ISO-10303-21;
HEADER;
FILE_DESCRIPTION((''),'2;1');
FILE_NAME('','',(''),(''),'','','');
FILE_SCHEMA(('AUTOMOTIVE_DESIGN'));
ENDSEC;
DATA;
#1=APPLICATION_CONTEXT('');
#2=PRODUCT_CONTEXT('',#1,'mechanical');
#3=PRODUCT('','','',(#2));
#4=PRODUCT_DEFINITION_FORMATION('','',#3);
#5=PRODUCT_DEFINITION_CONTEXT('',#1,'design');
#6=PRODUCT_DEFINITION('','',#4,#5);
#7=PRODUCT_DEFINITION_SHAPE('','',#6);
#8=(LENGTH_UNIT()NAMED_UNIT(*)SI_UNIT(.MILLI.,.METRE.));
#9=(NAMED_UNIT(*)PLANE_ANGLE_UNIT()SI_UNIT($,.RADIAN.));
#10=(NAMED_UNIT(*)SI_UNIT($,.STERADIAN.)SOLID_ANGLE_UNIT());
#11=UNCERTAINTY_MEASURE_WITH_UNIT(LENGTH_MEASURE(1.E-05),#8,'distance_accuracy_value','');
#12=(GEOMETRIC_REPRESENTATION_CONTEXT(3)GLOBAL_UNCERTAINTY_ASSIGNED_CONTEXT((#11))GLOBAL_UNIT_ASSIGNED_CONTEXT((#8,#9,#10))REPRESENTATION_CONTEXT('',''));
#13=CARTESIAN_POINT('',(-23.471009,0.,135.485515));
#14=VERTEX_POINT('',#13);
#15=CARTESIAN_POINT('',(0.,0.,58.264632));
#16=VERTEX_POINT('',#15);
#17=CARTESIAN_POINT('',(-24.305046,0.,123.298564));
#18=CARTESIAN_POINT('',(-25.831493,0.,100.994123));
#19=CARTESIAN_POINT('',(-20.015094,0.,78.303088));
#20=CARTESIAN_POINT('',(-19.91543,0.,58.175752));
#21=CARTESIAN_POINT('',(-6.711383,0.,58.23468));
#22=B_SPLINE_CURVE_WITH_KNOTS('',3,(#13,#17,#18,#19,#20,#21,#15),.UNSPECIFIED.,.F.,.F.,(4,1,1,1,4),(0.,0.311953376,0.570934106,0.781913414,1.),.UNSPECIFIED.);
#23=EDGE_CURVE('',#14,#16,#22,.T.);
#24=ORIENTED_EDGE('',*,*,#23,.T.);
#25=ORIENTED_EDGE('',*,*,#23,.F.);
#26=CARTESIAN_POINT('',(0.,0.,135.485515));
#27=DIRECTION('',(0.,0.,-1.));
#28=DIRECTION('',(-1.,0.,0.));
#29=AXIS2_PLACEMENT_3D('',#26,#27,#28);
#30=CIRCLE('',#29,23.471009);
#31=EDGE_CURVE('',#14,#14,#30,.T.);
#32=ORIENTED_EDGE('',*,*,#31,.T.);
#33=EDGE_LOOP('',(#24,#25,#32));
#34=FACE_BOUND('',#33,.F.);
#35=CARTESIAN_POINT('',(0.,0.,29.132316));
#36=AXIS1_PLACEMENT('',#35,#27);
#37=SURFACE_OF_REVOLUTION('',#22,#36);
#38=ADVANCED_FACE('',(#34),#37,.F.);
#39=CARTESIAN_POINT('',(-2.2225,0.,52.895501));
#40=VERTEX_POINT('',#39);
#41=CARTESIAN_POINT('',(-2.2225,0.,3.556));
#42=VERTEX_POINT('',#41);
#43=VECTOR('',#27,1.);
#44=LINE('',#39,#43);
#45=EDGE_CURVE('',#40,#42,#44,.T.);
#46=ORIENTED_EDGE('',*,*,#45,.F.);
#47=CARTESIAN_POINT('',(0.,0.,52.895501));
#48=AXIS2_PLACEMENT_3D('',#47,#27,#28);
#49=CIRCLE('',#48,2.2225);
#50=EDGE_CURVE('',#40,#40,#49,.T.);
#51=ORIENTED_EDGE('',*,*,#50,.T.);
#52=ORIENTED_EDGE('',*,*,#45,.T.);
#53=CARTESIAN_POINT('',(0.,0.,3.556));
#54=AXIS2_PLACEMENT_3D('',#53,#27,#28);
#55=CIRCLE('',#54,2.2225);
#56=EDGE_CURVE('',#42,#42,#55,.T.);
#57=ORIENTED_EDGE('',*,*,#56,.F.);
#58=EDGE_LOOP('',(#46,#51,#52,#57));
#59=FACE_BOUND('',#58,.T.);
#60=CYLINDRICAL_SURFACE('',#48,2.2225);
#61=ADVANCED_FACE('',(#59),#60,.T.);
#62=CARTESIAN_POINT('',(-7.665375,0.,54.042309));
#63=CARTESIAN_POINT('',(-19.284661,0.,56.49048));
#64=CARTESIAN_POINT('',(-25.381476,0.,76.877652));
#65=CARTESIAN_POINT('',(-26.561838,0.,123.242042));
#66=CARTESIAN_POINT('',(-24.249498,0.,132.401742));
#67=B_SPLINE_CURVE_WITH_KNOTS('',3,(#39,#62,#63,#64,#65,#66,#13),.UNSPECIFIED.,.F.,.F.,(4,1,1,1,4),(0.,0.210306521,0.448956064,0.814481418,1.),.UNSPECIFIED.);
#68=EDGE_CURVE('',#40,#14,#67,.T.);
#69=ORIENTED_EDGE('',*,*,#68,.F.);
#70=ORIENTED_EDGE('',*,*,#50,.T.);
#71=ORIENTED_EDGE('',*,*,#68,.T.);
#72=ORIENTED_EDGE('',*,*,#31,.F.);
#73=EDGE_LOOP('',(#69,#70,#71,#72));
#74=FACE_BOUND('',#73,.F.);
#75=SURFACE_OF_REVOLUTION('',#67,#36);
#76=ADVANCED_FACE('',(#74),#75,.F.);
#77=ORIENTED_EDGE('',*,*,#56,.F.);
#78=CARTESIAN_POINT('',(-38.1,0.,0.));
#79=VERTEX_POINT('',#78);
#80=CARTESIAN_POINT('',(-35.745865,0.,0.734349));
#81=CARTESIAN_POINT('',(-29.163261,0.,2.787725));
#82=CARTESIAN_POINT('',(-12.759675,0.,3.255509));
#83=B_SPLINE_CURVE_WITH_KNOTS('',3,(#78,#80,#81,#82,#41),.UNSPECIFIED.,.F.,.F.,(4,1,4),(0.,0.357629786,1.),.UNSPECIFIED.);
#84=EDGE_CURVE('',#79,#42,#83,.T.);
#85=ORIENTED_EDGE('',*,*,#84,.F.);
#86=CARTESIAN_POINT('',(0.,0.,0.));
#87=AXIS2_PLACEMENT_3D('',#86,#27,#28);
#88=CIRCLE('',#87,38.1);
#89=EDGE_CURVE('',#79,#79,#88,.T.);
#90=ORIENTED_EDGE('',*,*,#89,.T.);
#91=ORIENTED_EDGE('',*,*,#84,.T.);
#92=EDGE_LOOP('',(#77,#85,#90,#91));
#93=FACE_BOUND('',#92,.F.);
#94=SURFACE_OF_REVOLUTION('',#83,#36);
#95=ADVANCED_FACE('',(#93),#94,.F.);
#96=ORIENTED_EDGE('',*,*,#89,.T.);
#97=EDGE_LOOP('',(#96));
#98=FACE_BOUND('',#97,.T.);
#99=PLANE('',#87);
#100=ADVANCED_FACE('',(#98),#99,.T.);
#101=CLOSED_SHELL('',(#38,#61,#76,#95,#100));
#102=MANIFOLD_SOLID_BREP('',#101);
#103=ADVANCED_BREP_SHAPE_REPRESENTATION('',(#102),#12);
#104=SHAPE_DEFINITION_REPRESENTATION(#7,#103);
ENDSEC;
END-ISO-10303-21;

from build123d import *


with BuildPart() as f1:
    # F0 (on Front) → F1 (revolve)
    with BuildSketch(Plane.XZ):
        with BuildLine():
            Line((-38.1, 0), (0, 0))
            Line((0, 0), (0, 58.264631778))
            add(Edge.make_bspline(
                [(-23.4710089862, 135.4855149984), (-24.3050461219, 123.298564458), (-25.8314929651, 100.9941233426), (-20.0150943252, 78.3030875234), (-19.9154303032, 58.1757524202), (-6.7113830807, 58.2346799563), (0, 58.264631778)],
                knots=[0, 0, 0, 0, 0.3119533765, 0.5709341065, 0.7819134141, 1, 1, 1, 1], degree=3))
            add(Edge.make_bspline(
                [(-2.222500043, 52.895501256), (-7.6653749918, 54.0423091568), (-19.2846614375, 56.4904803205), (-25.3814762522, 76.8776520899), (-26.561837782, 123.2420421338), (-24.2494984709, 132.4017418389), (-23.4710089862, 135.4855149984)],
                knots=[0, 0, 0, 0, 0.2103065214, 0.448956064, 0.8144814181, 1, 1, 1, 1], degree=3))
            Line((-2.222500043, 52.895501256), (-2.222500043, 3.5560000688))
            add(Edge.make_bspline(
                [(-38.1, 0), (-35.7458647523, 0.7343486497), (-29.1632607791, 2.7877252958), (-12.7596749737, 3.2555094569), (-2.222500043, 3.5560000688)],
                knots=[0, 0, 0, 0, 0.3576297856, 1, 1, 1, 1], degree=3))
        make_face()
    revolve(axis=Axis((0, 0, 29.132315889), (0, 0, -1)))


solid = f1.part
